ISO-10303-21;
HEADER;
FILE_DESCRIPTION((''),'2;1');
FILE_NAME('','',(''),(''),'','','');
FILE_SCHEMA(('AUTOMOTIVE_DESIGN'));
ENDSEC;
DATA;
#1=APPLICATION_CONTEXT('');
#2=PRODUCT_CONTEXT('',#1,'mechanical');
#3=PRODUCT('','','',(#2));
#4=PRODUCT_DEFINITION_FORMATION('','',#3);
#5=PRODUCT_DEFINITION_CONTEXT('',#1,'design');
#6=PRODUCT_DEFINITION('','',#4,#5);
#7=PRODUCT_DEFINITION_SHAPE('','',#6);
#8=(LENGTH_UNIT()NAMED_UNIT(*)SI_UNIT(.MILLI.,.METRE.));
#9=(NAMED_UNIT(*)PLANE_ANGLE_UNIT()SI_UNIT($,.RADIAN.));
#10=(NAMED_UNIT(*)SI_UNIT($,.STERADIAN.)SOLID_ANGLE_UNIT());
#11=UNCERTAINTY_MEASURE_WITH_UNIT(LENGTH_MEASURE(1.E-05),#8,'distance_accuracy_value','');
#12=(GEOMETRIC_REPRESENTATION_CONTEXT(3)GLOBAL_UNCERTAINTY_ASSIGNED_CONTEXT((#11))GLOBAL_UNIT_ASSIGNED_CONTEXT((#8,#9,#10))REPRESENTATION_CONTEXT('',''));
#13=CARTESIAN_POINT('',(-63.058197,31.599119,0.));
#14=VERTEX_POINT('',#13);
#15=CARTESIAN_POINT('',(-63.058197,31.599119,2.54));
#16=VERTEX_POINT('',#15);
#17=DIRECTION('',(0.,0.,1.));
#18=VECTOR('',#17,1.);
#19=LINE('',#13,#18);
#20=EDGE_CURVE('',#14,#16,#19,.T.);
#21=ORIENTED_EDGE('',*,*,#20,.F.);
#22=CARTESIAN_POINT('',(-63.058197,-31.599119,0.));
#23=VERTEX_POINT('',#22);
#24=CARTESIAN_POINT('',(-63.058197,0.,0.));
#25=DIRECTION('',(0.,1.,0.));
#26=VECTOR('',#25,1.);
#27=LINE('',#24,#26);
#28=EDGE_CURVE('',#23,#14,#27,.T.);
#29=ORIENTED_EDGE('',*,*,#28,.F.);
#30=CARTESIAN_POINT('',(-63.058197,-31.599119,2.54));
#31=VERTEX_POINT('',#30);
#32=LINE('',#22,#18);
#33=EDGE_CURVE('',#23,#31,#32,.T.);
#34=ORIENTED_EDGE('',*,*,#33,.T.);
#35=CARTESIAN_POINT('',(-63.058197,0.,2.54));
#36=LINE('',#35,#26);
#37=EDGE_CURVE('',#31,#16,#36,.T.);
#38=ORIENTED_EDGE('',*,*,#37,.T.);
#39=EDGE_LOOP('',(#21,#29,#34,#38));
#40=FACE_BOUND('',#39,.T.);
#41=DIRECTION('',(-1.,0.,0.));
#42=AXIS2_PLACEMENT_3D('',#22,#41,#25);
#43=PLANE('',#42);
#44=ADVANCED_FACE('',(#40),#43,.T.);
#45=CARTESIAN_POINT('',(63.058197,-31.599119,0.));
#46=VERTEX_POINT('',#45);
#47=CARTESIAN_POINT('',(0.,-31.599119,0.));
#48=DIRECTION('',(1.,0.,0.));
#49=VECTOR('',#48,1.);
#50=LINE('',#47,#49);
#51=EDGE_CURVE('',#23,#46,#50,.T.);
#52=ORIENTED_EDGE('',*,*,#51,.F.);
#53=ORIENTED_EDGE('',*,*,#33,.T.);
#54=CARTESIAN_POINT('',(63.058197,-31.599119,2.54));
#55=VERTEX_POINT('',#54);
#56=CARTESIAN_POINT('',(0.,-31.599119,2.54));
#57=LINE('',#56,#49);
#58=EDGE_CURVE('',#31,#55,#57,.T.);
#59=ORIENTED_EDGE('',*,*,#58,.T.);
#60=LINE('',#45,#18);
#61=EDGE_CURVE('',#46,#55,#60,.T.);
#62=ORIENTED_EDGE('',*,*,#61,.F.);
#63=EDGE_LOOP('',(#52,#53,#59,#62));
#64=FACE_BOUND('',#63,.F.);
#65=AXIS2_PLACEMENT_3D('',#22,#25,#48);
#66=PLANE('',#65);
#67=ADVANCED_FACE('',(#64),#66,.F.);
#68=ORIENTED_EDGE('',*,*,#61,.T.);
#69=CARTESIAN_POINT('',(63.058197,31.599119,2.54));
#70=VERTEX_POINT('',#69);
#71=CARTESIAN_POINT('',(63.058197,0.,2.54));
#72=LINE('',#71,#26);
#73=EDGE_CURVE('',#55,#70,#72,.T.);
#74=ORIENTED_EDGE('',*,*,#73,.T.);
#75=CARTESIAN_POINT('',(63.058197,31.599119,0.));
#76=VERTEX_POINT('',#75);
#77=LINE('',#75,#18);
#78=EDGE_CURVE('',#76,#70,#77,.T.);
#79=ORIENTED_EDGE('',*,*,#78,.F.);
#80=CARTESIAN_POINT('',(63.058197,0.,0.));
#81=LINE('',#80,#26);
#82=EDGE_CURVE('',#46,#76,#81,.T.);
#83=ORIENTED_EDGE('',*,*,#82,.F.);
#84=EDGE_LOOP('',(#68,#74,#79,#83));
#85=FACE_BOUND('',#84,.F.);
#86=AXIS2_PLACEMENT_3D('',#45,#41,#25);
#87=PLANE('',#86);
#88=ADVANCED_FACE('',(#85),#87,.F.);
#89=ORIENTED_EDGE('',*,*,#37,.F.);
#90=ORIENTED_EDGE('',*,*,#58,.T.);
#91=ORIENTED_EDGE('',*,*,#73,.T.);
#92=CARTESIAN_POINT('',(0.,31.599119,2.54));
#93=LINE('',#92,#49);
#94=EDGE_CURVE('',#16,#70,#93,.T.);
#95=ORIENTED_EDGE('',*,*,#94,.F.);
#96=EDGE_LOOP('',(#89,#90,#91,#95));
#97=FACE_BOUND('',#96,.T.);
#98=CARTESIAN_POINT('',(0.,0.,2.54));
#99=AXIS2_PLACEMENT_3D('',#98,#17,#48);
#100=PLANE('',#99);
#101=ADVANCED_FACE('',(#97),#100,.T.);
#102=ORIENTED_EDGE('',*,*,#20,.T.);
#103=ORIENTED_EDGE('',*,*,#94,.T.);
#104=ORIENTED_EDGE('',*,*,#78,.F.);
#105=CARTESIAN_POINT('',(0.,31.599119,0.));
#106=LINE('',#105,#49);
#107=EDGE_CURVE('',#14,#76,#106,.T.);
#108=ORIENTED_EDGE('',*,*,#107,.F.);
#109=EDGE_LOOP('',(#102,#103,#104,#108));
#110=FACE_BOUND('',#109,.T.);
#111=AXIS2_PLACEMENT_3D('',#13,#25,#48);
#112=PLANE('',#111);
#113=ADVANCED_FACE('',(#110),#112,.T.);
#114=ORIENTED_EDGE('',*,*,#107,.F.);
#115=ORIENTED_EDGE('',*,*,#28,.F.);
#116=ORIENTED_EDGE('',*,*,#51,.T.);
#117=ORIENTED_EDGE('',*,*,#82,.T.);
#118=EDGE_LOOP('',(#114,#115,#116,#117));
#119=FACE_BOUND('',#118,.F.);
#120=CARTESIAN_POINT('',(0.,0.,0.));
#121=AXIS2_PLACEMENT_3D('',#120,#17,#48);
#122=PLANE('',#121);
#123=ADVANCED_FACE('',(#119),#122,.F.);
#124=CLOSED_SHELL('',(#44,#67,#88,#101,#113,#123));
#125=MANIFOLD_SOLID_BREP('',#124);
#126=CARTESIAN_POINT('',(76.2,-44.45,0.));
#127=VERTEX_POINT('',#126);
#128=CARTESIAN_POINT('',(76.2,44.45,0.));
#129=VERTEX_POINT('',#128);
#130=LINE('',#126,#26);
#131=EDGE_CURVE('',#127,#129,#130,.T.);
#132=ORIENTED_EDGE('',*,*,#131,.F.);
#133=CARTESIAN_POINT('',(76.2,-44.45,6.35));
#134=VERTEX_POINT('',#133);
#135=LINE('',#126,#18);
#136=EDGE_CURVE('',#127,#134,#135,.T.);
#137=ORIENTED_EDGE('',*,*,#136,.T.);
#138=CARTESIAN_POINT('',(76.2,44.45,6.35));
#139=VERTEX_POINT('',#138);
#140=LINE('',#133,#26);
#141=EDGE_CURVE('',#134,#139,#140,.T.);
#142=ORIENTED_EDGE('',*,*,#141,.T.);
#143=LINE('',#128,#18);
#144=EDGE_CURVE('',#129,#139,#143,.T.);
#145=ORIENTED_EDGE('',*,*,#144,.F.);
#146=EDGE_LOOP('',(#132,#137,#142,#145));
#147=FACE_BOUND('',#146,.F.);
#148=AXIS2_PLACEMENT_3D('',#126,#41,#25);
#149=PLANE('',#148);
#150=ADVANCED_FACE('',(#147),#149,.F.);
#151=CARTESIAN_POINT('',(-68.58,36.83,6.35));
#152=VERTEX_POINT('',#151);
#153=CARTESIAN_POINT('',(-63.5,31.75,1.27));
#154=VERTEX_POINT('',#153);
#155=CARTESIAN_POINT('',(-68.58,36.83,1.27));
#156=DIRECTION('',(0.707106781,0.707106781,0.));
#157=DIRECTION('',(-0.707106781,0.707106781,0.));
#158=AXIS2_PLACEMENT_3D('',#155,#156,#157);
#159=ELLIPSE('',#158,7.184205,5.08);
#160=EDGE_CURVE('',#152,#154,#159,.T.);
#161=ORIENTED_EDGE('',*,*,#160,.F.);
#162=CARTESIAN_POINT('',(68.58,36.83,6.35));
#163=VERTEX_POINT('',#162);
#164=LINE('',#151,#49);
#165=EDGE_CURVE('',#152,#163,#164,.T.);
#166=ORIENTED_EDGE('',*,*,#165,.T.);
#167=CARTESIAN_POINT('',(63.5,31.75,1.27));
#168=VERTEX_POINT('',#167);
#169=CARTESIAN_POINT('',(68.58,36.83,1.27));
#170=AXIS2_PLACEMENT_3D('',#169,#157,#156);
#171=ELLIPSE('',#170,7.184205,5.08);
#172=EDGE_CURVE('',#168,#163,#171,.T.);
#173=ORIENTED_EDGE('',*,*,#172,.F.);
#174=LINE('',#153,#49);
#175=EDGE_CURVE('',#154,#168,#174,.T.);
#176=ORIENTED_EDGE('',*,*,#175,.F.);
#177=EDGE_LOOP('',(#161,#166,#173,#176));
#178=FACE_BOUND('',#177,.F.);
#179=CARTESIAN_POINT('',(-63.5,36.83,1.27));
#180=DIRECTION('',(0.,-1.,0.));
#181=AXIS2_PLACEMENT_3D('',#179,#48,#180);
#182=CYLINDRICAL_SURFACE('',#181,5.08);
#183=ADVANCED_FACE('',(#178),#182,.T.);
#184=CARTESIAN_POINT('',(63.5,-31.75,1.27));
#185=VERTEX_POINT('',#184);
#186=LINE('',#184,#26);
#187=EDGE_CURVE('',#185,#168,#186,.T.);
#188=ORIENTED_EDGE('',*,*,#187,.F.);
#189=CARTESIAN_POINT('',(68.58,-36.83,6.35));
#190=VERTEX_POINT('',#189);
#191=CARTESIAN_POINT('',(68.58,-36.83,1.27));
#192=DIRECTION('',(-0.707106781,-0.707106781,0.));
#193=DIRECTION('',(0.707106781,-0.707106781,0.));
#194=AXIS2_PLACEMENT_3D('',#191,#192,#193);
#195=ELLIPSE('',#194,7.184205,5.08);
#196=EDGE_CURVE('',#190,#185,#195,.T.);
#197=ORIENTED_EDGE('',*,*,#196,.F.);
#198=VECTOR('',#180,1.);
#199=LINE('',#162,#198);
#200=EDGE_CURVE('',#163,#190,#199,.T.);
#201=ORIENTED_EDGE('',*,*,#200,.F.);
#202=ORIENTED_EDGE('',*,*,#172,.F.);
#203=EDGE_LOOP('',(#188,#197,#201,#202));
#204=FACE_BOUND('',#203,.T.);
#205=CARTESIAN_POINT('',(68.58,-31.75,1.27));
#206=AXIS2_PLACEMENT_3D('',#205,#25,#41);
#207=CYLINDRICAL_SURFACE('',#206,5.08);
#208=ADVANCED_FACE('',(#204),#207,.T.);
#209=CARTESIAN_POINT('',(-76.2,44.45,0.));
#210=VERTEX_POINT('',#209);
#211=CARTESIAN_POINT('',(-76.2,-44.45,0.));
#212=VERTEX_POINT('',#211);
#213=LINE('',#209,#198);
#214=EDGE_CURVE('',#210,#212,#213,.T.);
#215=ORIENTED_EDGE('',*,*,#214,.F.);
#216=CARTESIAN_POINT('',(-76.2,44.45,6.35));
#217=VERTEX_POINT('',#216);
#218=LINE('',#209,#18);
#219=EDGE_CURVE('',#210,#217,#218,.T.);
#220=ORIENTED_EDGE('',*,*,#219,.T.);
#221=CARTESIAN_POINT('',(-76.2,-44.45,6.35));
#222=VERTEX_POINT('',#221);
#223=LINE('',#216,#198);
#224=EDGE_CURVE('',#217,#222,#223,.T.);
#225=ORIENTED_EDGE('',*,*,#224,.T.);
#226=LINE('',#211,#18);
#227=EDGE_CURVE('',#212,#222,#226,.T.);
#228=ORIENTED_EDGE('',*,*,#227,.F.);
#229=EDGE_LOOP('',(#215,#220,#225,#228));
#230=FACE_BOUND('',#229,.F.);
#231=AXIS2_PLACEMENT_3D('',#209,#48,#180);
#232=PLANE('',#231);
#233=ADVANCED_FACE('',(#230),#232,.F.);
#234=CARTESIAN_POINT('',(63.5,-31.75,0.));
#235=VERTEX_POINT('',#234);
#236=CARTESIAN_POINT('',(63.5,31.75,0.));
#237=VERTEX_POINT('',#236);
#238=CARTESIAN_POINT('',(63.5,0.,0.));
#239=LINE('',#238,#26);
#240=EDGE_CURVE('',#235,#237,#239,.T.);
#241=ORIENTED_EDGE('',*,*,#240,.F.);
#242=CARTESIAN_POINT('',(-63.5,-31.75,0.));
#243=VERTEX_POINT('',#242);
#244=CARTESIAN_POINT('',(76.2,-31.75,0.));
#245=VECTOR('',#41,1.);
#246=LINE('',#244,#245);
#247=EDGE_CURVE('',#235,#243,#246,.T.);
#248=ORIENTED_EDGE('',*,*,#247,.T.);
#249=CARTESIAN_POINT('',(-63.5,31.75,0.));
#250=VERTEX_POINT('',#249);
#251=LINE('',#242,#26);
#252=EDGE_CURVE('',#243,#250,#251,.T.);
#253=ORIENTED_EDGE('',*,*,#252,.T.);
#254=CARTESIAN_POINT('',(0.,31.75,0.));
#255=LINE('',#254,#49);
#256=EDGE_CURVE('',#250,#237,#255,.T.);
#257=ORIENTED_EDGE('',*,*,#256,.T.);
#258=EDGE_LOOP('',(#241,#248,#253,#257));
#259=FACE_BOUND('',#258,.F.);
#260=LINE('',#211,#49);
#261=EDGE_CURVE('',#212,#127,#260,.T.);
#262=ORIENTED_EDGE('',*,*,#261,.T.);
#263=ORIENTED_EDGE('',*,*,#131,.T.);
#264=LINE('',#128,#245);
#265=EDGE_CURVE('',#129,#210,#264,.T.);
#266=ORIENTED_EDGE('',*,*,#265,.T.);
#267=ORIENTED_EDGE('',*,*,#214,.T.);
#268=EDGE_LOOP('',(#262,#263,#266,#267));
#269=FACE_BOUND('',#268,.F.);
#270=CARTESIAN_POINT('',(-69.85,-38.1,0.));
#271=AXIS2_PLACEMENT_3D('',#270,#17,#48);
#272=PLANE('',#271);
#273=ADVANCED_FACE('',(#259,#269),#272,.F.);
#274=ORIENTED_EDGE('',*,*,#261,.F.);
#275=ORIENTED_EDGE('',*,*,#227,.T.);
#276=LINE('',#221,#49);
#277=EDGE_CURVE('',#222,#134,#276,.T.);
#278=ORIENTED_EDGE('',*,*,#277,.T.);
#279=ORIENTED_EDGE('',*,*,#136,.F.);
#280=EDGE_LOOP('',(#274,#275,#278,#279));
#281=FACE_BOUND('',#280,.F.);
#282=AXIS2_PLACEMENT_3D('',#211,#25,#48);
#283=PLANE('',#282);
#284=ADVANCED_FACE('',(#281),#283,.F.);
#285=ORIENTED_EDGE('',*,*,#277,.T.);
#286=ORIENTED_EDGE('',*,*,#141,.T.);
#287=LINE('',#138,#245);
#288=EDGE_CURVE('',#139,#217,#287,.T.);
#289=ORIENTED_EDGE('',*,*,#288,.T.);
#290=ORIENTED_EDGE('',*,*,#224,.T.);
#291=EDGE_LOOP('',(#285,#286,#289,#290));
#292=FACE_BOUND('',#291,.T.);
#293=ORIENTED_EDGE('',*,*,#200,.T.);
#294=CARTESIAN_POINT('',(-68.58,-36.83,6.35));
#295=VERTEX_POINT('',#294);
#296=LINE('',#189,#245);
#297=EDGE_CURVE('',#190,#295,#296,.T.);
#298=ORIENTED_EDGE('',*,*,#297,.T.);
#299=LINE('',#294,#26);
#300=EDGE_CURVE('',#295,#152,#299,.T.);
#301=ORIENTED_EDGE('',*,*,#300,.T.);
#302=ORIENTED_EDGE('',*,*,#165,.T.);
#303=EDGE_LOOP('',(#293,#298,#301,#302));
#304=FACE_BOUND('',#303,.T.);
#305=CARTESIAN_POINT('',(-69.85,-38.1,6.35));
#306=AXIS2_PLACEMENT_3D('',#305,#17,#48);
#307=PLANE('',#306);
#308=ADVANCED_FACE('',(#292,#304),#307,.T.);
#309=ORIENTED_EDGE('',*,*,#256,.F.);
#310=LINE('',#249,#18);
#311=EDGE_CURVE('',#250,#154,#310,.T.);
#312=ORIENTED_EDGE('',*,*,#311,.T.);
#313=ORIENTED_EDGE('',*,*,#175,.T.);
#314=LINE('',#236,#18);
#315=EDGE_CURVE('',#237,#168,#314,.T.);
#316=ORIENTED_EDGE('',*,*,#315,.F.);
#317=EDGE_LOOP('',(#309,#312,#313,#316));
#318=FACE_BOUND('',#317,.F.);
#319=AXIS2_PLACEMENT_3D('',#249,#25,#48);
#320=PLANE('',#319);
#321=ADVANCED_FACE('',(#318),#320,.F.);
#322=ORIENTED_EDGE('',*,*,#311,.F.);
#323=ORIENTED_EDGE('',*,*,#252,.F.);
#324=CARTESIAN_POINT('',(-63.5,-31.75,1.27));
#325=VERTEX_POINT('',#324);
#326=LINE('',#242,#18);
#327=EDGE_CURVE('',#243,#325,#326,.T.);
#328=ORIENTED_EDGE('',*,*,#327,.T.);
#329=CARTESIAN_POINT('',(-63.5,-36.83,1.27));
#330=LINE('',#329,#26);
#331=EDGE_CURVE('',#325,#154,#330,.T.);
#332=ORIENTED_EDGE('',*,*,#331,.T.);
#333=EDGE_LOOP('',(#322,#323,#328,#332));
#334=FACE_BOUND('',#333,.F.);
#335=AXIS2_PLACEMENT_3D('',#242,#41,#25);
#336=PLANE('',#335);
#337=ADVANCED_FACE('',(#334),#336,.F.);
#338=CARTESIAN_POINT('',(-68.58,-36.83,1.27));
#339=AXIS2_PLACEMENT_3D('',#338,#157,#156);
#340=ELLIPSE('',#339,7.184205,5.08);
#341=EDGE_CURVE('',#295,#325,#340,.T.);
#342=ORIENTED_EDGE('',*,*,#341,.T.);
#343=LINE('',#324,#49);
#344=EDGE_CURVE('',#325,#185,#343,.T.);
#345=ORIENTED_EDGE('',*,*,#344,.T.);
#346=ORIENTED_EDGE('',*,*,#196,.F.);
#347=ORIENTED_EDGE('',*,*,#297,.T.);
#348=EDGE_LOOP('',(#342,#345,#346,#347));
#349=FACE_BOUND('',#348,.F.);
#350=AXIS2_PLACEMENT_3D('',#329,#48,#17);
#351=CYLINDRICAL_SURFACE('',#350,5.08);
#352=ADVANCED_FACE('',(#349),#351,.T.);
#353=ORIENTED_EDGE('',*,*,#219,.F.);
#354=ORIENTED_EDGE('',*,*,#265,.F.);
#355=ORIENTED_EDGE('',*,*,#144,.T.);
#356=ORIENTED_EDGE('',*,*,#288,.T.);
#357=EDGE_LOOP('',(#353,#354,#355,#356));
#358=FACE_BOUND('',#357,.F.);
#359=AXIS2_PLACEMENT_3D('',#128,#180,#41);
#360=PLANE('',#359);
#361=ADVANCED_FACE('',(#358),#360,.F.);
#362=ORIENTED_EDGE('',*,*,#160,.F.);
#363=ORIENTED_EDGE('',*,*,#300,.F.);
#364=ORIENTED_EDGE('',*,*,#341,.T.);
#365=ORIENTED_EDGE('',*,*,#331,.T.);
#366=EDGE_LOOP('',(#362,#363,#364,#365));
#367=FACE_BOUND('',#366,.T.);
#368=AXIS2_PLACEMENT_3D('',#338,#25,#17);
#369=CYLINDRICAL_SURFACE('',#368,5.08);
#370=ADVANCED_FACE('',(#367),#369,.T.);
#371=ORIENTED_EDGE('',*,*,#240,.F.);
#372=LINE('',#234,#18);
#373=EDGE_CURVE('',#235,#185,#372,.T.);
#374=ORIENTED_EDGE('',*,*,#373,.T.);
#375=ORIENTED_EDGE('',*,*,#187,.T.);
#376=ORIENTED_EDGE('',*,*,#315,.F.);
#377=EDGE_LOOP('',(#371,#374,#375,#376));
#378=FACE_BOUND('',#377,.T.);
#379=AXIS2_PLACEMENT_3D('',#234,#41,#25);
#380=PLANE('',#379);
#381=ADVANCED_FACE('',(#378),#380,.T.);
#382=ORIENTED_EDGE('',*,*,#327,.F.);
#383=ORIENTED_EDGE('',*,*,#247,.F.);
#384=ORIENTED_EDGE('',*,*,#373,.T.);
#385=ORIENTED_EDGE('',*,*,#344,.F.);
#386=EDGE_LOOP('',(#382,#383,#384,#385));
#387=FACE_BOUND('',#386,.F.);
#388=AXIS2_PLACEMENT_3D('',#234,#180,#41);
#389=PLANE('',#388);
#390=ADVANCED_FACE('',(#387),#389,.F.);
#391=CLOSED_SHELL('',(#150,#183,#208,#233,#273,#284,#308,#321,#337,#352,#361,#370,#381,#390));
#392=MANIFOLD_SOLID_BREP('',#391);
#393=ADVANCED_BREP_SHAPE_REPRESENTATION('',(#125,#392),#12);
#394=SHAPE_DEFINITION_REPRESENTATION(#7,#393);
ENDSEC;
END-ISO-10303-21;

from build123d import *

# Parameters (mm, degrees)
F0_W     = 12.7
F0_H     = 12.7
F0_H_2   = 63.5
F0_W_2   = 127
F1_DEPTH = 6.35
F2_W     = 126.1163949966
F2_H     = 63.1982386112
F3_DEPTH = 2.54
F4_R     = 5.08
F5_R     = 5.08
F6_R     = 5.08
F7_R     = 5.08


with BuildPart() as f1:
    # F0 (on Top) → F1 (new body)
    with BuildSketch(Plane.XY):
        with Locations((-69.85, -38.1)):
            Rectangle(F0_W, F0_H)
        Polygon((-63.5, -31.75), (-63.5, -44.45), (76.2, -44.45), (76.2, -31.75), (63.5, -31.75), align=None)
        with Locations((-69.85, 0)):
            Rectangle(F0_W, F0_H_2)
        with Locations((69.85, 0)):
            Rectangle(F0_W, F0_H_2)
        with Locations((-69.85, 38.1)):
            Rectangle(F0_W, F0_H)
        with Locations((0, 38.1)):
            Rectangle(F0_W_2, F0_H)
        with Locations((69.85, 38.1)):
            Rectangle(F0_W, F0_H)
    extrude(amount=F1_DEPTH)

    # F4
    f4_edges = [f1.edges().sort_by_distance(p)[0] for p in [
        (0, 31.75, 6.35),
    ]]
    fillet(f4_edges, radius=F4_R)

    # F5
    f5_edges = [f1.edges().sort_by_distance(p)[0] for p in [
        (63.5, 0, 6.35),
    ]]
    fillet(f5_edges, radius=F5_R)

    # F6
    f6_edges = [f1.edges().sort_by_distance(p)[0] for p in [
        (0, -31.75, 6.35),
    ]]
    fillet(f6_edges, radius=F6_R)

    # F7
    f7_edges = [f1.edges().sort_by_distance(p)[0] for p in [
        (-63.5, 0, 6.35),
    ]]
    fillet(f7_edges, radius=F7_R)


with BuildPart() as f3:
    # F2 (on Top) → F3 (new body)
    with BuildSketch(Plane.XY):
        Rectangle(F2_W, F2_H)
    extrude(amount=F3_DEPTH)


solid = Compound([f1.part, f3.part])
